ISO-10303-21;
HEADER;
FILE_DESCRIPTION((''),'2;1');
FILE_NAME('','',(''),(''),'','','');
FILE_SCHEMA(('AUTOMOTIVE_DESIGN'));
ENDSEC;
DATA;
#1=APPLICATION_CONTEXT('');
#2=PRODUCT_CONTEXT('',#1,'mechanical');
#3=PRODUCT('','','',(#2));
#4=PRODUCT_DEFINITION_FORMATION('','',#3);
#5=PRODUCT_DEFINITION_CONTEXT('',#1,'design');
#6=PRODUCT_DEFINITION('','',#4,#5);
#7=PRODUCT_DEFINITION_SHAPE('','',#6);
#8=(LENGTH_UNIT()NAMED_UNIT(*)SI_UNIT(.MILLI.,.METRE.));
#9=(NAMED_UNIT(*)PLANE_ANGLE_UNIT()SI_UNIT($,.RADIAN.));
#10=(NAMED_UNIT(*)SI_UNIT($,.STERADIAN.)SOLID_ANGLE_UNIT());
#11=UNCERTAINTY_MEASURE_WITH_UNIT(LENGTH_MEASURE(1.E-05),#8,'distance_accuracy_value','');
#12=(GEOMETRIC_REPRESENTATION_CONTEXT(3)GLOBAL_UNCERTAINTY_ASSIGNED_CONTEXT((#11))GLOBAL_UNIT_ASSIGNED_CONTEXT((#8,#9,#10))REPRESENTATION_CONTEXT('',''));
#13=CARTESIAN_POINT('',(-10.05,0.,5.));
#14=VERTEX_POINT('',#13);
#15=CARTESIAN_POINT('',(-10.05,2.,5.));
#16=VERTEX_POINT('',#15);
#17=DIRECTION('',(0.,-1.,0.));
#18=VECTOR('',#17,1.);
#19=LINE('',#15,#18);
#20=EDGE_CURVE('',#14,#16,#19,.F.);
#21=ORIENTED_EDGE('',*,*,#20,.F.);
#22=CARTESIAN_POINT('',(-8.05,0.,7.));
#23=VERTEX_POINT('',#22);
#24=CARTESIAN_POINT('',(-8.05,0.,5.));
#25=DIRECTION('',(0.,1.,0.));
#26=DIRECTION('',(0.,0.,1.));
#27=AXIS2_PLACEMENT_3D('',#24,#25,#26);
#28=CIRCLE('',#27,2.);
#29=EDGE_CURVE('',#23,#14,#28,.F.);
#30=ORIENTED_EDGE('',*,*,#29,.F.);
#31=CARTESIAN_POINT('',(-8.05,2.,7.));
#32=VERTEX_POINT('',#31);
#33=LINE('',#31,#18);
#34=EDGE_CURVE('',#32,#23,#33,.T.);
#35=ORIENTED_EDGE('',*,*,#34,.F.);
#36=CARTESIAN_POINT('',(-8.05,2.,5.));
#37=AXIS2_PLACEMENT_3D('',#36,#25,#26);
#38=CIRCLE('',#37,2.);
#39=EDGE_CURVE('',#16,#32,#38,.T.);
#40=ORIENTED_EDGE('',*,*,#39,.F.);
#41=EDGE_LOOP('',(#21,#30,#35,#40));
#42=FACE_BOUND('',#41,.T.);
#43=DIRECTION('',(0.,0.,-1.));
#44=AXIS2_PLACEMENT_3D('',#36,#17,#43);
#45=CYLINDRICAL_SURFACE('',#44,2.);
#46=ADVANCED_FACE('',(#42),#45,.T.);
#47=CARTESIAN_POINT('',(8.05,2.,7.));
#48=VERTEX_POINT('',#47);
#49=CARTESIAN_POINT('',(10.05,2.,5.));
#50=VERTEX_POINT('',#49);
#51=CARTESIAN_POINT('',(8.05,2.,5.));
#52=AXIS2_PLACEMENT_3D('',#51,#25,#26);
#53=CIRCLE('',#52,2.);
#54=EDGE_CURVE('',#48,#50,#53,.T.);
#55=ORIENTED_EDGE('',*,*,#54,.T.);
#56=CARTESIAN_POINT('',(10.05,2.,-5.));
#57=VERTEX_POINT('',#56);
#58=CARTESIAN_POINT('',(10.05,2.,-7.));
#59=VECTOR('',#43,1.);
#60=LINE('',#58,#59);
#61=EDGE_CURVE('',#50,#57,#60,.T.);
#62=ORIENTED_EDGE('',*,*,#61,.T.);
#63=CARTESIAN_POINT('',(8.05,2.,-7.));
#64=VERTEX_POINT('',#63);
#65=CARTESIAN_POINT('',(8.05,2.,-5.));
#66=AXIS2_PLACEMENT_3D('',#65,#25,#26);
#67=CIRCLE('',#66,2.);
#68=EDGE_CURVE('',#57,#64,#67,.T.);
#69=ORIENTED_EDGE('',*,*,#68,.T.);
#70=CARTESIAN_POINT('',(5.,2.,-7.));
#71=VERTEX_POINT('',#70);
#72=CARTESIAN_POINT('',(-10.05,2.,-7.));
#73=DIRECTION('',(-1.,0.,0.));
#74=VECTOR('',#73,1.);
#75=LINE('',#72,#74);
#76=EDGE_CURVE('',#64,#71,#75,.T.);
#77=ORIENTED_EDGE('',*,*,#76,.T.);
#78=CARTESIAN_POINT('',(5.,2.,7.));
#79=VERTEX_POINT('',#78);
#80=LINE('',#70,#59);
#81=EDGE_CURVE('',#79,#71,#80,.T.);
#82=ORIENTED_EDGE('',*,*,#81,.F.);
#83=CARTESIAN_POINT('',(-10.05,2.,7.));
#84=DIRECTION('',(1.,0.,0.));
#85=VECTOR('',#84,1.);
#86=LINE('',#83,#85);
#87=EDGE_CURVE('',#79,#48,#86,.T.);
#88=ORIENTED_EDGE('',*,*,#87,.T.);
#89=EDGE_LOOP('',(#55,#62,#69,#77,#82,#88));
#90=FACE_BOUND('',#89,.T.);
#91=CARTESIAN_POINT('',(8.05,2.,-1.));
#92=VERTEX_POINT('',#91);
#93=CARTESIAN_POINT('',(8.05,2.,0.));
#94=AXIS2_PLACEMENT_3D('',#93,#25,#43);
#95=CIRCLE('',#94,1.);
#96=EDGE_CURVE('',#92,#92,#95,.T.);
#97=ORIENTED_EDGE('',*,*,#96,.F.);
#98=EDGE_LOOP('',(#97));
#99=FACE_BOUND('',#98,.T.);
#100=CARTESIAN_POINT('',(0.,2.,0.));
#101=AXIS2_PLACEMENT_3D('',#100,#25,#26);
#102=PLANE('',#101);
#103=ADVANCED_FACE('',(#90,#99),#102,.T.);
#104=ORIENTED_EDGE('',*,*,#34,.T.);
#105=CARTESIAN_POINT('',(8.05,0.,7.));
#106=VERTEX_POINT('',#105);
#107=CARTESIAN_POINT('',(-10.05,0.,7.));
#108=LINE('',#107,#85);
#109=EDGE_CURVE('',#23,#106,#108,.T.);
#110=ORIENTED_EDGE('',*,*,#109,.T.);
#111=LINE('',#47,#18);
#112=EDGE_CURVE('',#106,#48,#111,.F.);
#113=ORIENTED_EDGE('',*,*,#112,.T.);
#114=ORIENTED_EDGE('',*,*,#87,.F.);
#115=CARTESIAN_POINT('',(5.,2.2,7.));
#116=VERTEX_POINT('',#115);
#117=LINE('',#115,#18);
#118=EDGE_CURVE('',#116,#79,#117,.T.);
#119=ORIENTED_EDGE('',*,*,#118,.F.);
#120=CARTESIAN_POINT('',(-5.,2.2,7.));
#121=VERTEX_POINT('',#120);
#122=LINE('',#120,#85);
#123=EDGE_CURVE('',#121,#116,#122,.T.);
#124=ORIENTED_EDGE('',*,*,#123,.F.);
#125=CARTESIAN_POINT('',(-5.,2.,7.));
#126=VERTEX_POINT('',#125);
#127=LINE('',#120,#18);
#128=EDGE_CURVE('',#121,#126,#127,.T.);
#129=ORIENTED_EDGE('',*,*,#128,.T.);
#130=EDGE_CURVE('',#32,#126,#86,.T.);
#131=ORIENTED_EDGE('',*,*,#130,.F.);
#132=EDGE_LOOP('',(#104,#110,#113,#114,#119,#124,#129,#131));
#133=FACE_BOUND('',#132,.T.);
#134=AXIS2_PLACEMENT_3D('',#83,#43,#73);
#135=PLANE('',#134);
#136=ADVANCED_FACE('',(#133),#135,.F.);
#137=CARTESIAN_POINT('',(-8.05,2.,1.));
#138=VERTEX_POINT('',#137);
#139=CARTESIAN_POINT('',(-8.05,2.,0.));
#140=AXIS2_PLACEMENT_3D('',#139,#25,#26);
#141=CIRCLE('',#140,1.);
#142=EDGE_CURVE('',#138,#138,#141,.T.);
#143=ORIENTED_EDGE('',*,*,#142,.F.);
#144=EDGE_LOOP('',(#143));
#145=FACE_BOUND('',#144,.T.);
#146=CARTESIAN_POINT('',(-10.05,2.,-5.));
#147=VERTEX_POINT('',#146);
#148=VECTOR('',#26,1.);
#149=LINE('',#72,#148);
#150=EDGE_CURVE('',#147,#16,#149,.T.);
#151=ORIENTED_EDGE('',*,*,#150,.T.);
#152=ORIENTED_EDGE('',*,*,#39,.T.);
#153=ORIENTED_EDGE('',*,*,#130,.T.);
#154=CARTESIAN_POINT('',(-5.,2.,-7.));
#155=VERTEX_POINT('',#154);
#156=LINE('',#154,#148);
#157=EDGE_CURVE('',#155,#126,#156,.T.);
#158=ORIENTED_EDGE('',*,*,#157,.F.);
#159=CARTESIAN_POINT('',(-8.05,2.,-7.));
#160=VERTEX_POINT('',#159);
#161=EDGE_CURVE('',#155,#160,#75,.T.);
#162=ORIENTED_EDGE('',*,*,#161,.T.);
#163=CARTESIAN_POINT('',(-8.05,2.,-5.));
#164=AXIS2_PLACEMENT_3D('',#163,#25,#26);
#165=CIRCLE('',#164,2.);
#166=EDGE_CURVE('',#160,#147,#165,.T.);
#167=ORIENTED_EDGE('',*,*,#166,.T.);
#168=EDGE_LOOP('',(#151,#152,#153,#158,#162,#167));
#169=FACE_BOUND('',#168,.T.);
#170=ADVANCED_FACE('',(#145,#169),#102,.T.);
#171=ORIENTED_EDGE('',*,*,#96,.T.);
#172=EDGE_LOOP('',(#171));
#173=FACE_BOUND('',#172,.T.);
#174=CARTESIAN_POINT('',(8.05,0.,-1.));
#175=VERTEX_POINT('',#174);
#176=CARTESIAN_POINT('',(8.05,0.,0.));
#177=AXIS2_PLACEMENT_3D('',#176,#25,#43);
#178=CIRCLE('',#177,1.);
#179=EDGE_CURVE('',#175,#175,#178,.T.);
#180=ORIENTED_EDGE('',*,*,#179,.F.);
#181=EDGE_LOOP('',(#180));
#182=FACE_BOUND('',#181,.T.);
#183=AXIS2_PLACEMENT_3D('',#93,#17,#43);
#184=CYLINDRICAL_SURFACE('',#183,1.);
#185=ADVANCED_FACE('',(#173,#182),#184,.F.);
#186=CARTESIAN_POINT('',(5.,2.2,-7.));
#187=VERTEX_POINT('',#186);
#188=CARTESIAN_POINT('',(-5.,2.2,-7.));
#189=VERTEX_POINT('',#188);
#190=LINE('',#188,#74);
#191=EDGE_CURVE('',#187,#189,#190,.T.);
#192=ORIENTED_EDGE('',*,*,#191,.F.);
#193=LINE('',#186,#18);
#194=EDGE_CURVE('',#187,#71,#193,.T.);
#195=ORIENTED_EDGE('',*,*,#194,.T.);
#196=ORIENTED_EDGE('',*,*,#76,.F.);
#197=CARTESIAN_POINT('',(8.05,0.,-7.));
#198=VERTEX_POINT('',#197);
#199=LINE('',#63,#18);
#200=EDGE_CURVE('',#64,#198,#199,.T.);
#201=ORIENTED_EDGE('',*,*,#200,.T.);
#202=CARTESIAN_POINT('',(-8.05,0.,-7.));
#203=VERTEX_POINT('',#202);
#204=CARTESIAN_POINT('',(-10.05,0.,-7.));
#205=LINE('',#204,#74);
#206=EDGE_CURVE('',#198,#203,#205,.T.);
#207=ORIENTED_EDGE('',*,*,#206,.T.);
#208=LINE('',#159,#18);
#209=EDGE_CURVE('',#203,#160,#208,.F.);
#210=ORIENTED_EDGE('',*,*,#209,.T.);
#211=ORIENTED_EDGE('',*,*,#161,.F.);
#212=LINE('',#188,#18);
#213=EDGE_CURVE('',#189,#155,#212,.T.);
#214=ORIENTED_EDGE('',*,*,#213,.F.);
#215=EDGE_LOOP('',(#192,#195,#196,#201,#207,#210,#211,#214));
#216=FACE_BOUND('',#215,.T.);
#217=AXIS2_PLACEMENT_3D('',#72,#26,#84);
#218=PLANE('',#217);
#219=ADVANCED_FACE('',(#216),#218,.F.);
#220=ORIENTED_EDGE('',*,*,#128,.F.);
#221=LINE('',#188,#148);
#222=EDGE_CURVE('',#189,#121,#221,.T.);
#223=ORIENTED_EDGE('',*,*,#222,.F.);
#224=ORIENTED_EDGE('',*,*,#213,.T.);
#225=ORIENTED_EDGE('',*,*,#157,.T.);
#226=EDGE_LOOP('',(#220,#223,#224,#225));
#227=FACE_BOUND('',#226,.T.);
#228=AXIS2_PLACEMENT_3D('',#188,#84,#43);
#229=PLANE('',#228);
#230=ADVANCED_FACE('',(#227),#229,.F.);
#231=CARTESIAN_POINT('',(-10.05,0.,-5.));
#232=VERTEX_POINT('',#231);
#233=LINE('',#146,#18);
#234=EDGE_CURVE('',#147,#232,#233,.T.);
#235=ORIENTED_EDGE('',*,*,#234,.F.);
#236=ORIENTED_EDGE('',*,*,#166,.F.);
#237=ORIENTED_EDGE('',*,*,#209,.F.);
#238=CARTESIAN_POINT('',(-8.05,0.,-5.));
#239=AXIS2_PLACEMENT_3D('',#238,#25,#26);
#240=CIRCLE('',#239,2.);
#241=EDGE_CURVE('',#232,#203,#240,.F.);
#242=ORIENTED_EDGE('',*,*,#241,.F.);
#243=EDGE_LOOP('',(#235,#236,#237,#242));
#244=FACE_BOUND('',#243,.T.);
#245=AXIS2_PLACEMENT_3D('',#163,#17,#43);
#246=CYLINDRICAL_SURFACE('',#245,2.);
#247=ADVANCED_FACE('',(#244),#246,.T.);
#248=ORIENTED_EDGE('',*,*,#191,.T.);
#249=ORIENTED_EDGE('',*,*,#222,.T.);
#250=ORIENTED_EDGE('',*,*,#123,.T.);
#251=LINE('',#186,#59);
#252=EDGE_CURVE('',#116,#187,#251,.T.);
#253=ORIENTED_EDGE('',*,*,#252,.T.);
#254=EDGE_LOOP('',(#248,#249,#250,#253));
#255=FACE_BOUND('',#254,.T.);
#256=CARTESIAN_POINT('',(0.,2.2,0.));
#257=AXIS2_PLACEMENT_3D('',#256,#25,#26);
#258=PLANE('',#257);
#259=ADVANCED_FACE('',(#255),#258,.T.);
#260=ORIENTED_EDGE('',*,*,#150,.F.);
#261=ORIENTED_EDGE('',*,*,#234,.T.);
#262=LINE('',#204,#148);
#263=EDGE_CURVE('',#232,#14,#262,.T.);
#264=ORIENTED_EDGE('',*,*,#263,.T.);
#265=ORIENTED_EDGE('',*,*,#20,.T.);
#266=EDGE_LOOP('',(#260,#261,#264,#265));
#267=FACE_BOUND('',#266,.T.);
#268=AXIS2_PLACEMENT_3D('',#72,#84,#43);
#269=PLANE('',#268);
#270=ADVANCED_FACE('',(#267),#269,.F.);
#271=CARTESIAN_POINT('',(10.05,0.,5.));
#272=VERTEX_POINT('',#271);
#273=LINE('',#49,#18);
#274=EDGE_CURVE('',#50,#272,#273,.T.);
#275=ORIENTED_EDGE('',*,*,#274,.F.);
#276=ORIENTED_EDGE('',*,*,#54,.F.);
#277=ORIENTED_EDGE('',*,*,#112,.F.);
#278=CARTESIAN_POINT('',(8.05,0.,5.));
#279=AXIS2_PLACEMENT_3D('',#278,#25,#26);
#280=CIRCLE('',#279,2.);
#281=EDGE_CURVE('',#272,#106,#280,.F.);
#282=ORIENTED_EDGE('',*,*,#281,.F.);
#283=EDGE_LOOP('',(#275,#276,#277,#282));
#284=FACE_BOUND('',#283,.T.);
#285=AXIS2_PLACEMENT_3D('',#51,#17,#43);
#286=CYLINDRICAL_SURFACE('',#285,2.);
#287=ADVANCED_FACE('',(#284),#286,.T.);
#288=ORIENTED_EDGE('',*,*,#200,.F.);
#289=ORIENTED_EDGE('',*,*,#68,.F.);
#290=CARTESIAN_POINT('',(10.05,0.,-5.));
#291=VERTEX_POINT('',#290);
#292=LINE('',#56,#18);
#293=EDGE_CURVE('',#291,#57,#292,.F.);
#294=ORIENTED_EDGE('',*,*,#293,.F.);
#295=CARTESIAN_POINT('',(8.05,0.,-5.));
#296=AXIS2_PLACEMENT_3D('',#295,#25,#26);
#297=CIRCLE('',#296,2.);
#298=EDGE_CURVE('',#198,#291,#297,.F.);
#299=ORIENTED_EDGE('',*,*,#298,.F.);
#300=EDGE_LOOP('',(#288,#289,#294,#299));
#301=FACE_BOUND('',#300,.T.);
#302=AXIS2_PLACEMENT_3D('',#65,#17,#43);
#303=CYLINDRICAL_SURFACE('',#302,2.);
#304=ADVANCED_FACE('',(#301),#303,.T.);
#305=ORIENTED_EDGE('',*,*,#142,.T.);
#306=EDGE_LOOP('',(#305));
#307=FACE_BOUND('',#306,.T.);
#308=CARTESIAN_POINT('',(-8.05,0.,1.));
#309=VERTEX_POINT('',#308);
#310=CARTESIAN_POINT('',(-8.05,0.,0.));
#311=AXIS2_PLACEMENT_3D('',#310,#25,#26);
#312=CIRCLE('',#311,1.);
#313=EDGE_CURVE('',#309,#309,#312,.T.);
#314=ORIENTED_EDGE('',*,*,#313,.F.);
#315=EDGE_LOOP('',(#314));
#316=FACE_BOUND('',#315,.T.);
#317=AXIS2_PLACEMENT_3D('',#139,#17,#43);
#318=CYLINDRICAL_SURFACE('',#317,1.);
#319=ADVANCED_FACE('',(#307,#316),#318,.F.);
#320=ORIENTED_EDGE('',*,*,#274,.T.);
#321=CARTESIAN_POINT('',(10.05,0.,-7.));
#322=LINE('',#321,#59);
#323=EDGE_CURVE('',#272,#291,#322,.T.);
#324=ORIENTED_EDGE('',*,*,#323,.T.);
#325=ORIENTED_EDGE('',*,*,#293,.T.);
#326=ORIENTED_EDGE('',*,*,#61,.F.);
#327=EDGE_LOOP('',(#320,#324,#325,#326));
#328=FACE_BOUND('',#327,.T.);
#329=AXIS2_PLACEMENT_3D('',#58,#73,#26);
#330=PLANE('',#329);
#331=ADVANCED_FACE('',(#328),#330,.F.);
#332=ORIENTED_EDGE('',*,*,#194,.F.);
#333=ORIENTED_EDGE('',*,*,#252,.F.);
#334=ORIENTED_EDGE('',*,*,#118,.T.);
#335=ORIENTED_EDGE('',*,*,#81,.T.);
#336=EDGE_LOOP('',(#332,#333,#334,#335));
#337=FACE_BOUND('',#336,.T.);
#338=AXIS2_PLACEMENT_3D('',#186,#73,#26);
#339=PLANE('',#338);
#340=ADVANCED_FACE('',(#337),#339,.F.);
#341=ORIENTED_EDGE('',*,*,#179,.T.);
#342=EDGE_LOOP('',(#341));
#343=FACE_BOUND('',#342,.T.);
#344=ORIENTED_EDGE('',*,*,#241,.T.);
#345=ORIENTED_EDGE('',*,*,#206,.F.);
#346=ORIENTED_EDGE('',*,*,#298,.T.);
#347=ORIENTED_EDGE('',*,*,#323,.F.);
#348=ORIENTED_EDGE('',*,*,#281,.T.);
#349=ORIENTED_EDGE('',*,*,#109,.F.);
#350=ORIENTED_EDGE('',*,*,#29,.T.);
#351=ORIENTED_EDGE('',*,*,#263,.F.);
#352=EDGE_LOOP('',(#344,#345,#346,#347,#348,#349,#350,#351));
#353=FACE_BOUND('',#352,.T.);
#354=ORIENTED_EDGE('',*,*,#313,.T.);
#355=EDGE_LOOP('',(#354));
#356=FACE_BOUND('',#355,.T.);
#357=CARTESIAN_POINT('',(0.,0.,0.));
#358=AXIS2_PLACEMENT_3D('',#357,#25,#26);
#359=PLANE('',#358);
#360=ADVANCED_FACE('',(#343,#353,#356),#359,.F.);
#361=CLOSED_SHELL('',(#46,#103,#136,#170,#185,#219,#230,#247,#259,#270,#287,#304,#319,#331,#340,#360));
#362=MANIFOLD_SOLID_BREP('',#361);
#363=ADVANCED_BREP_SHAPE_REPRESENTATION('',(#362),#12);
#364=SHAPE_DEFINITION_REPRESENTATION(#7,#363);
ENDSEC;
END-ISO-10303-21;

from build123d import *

# Parameters (mm, degrees)
SKETCH_1_W      = 20.1
SKETCH_1_H      = 14
SKETCH_1_R      = 1
EXTRUDE_1_DEPTH = 2
SKETCH_2_W      = 10
SKETCH_2_H      = 14
EXTRUDE_2_DEPTH = 0.2
FILLET_1_R      = 2


with BuildPart() as part:
    # 草图1 → 凸台-拉伸1 (new body)
    with BuildSketch(Plane(origin=(0, 0, 0), x_dir=(1, 0, 0), z_dir=(0, 1, 0))):
        Rectangle(SKETCH_1_W, SKETCH_1_H)
        with Locations(Location((-8.05, 0, 0), (0, 0, 270))):
            Circle(SKETCH_1_R, mode=Mode.SUBTRACT)
        with Locations(Location((8.05, 0, 0), (0, 0, 90))):
            Circle(SKETCH_1_R, mode=Mode.SUBTRACT)
    extrude(amount=EXTRUDE_1_DEPTH)

    # 草图2 → 凸台-拉伸2 (add)
    with BuildSketch(Plane(origin=(0, 2, 0), x_dir=(1, 0, 0), z_dir=(0, 1, 0))):
        Rectangle(SKETCH_2_W, SKETCH_2_H)
    extrude(amount=EXTRUDE_2_DEPTH)

    # 圆角1
    fillet_1_edges = [part.edges().sort_by_distance(p)[0] for p in [
        (10.05, 1, 7),
        (-10.05, 1, 7),
        (-10.05, 1, -7),
        (10.05, 1, -7),
    ]]
    fillet(fillet_1_edges, radius=FILLET_1_R)


solid = part.part
